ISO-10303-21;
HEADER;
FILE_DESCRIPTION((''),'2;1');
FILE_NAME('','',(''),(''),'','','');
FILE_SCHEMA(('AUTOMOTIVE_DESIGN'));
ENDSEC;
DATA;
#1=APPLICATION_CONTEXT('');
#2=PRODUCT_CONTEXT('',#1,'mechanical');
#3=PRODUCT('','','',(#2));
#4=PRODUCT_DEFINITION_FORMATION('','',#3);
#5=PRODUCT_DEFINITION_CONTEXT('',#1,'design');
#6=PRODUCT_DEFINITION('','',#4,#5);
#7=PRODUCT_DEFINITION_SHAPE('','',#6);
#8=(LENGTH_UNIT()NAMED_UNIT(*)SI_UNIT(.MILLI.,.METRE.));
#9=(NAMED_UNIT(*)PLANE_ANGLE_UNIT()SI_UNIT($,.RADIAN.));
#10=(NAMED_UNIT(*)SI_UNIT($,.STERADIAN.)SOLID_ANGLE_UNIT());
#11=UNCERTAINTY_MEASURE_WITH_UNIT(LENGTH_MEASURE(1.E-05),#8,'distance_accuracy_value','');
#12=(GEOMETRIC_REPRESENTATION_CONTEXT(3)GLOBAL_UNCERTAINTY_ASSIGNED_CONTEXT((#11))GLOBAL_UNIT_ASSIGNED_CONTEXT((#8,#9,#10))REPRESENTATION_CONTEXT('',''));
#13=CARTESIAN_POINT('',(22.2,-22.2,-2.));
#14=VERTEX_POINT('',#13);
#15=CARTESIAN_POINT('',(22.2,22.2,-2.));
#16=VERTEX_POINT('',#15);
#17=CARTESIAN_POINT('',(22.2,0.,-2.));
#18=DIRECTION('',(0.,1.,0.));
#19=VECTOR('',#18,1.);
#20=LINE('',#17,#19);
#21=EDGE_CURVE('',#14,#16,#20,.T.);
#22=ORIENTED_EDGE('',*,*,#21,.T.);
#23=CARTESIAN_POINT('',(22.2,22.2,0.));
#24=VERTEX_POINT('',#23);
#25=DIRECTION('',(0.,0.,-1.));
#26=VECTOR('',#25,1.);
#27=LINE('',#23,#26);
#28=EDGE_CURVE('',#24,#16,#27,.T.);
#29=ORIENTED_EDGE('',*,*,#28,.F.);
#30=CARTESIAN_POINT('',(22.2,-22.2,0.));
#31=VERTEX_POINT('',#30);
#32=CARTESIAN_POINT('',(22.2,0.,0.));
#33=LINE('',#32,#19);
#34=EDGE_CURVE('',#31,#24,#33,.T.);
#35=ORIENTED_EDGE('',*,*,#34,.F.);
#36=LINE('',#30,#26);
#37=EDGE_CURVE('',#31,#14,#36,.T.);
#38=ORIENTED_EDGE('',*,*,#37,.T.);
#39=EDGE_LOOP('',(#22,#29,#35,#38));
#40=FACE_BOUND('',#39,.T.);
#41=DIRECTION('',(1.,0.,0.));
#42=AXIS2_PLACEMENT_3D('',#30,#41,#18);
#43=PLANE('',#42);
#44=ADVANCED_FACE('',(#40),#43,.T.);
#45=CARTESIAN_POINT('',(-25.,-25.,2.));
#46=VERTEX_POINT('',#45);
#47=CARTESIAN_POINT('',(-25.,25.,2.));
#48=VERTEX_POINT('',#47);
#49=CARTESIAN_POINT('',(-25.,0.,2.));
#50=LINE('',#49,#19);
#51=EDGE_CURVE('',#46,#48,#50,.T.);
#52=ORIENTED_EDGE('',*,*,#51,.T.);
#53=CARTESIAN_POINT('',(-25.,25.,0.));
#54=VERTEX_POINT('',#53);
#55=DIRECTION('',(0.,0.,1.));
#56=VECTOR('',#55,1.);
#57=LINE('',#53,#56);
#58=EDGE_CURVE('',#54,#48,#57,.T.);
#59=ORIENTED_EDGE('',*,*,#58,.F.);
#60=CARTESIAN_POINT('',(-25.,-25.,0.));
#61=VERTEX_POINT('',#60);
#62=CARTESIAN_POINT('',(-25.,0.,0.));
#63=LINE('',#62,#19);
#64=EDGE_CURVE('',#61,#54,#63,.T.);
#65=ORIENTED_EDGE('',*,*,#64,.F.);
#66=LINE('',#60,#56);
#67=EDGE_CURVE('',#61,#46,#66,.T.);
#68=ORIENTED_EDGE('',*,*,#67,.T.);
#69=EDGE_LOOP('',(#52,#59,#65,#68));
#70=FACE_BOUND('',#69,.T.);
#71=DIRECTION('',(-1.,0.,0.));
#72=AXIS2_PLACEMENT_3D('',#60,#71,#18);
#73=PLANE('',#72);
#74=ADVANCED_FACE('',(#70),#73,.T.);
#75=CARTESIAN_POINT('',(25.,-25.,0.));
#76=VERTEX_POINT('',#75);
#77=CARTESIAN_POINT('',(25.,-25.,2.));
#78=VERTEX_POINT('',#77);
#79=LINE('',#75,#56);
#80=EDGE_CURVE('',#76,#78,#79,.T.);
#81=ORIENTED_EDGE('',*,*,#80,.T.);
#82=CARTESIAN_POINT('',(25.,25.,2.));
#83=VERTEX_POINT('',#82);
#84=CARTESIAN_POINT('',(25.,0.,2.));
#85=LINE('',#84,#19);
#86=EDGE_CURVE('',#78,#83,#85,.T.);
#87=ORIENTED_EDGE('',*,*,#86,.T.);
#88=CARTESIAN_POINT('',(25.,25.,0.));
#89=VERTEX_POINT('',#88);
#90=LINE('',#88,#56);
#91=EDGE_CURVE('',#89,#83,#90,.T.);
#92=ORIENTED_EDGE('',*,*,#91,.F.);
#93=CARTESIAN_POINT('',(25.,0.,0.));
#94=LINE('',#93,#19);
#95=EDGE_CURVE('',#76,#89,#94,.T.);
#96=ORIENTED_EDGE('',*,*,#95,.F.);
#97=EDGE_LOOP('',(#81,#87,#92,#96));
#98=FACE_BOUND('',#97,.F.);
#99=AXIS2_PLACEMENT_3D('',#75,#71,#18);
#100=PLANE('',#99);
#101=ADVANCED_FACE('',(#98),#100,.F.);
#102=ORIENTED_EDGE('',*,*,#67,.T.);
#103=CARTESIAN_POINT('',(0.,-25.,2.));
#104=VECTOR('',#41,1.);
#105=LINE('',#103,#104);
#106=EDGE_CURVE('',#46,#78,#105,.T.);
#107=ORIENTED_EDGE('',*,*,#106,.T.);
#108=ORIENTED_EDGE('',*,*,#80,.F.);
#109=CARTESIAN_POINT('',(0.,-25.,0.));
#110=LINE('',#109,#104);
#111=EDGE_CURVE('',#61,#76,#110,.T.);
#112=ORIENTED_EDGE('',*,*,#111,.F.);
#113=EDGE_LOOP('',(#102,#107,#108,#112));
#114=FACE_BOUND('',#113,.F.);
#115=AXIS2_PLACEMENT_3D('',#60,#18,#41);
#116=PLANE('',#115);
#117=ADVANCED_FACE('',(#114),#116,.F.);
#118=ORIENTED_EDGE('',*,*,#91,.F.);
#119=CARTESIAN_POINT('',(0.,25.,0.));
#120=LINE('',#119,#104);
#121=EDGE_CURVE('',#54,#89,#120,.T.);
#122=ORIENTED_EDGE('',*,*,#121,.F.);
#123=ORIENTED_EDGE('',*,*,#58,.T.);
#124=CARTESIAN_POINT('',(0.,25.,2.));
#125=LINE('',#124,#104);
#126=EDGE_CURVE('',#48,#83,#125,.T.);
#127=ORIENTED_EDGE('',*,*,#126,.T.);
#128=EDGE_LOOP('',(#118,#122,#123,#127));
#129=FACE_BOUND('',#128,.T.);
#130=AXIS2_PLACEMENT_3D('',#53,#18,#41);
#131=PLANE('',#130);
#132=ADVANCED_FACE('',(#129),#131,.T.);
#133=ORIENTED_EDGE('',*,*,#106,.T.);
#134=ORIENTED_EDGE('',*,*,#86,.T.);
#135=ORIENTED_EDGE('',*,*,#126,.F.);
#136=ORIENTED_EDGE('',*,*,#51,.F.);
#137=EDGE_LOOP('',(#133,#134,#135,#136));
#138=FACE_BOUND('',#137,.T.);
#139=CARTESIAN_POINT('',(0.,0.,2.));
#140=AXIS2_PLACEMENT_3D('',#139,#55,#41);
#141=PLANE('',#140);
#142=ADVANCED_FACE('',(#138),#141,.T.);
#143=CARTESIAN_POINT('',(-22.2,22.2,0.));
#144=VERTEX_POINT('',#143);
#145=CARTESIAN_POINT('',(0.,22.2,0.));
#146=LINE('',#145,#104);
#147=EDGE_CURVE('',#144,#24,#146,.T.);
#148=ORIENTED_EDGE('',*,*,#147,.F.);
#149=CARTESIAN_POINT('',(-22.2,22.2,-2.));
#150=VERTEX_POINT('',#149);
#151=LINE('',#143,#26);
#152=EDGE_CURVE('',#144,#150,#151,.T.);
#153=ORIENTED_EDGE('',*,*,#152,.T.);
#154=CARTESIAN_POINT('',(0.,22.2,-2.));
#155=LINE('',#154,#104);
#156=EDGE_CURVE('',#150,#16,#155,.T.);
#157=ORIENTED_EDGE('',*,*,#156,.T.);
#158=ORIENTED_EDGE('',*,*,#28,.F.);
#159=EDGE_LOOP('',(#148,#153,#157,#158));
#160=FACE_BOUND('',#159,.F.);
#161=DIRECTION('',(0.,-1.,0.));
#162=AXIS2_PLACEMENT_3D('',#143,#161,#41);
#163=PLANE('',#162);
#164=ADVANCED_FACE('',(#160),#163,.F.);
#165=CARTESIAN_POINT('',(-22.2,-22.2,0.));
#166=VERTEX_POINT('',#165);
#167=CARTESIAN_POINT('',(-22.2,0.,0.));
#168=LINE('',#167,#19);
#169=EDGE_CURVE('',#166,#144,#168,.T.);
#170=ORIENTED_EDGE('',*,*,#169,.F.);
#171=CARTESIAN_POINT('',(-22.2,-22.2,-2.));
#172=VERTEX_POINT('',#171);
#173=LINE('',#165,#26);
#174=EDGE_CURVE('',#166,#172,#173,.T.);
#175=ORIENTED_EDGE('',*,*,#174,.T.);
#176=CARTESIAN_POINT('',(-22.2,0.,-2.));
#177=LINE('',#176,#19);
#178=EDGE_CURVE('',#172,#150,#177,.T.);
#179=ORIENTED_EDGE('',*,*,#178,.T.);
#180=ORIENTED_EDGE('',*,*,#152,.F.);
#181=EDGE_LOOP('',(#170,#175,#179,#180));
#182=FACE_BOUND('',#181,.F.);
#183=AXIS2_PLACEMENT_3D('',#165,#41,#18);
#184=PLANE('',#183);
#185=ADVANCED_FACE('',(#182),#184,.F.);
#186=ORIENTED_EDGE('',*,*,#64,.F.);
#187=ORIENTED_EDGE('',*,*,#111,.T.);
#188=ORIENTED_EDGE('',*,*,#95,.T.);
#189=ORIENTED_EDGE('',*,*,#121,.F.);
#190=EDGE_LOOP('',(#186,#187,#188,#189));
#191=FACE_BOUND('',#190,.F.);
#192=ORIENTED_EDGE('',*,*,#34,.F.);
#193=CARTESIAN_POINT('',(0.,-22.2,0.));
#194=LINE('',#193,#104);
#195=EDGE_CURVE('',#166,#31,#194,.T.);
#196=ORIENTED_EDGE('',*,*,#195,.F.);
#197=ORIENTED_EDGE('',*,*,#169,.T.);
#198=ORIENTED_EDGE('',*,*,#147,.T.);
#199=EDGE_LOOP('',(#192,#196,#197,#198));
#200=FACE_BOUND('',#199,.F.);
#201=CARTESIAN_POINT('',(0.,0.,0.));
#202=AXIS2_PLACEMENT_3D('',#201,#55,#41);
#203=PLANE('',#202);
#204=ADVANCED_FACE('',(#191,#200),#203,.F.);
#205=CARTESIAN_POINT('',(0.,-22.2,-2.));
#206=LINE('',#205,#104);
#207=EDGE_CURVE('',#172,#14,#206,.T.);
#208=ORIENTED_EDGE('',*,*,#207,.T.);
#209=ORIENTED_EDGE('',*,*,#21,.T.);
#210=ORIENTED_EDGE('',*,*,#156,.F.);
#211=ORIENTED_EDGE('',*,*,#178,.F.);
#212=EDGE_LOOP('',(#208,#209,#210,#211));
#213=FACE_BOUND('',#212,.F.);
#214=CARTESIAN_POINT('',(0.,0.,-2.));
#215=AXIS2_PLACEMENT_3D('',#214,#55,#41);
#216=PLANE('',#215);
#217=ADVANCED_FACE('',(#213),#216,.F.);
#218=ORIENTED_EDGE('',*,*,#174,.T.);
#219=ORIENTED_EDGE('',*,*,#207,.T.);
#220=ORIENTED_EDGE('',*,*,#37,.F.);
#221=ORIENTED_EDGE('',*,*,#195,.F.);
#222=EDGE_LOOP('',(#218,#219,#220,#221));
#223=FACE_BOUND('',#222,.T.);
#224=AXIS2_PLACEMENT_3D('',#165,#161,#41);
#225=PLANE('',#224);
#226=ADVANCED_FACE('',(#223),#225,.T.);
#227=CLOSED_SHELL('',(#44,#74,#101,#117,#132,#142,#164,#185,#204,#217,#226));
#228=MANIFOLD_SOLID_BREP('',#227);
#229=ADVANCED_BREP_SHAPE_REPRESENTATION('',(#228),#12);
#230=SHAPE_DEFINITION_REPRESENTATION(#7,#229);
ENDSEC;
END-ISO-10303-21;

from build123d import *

# Parameters (mm, degrees)
F0_W     = 44.4
F0_H     = 44.4
F1_DEPTH = 2
F0_W_2   = 50
F0_H_2   = 50
F2_DEPTH = 2


with BuildPart() as f1:
    # F0 (on Top) → F1 (new body)
    with BuildSketch(Plane.XY):
        Rectangle(F0_W, F0_H)
    extrude(amount=-F1_DEPTH)

    # F0 (on Top) → F2 (join)
    with BuildSketch(Plane.XY):
        Rectangle(F0_W_2, F0_H_2)
        Rectangle(F0_W, F0_H, mode=Mode.SUBTRACT)
        Rectangle(F0_W, F0_H)
    extrude(amount=F2_DEPTH)


solid = f1.part
